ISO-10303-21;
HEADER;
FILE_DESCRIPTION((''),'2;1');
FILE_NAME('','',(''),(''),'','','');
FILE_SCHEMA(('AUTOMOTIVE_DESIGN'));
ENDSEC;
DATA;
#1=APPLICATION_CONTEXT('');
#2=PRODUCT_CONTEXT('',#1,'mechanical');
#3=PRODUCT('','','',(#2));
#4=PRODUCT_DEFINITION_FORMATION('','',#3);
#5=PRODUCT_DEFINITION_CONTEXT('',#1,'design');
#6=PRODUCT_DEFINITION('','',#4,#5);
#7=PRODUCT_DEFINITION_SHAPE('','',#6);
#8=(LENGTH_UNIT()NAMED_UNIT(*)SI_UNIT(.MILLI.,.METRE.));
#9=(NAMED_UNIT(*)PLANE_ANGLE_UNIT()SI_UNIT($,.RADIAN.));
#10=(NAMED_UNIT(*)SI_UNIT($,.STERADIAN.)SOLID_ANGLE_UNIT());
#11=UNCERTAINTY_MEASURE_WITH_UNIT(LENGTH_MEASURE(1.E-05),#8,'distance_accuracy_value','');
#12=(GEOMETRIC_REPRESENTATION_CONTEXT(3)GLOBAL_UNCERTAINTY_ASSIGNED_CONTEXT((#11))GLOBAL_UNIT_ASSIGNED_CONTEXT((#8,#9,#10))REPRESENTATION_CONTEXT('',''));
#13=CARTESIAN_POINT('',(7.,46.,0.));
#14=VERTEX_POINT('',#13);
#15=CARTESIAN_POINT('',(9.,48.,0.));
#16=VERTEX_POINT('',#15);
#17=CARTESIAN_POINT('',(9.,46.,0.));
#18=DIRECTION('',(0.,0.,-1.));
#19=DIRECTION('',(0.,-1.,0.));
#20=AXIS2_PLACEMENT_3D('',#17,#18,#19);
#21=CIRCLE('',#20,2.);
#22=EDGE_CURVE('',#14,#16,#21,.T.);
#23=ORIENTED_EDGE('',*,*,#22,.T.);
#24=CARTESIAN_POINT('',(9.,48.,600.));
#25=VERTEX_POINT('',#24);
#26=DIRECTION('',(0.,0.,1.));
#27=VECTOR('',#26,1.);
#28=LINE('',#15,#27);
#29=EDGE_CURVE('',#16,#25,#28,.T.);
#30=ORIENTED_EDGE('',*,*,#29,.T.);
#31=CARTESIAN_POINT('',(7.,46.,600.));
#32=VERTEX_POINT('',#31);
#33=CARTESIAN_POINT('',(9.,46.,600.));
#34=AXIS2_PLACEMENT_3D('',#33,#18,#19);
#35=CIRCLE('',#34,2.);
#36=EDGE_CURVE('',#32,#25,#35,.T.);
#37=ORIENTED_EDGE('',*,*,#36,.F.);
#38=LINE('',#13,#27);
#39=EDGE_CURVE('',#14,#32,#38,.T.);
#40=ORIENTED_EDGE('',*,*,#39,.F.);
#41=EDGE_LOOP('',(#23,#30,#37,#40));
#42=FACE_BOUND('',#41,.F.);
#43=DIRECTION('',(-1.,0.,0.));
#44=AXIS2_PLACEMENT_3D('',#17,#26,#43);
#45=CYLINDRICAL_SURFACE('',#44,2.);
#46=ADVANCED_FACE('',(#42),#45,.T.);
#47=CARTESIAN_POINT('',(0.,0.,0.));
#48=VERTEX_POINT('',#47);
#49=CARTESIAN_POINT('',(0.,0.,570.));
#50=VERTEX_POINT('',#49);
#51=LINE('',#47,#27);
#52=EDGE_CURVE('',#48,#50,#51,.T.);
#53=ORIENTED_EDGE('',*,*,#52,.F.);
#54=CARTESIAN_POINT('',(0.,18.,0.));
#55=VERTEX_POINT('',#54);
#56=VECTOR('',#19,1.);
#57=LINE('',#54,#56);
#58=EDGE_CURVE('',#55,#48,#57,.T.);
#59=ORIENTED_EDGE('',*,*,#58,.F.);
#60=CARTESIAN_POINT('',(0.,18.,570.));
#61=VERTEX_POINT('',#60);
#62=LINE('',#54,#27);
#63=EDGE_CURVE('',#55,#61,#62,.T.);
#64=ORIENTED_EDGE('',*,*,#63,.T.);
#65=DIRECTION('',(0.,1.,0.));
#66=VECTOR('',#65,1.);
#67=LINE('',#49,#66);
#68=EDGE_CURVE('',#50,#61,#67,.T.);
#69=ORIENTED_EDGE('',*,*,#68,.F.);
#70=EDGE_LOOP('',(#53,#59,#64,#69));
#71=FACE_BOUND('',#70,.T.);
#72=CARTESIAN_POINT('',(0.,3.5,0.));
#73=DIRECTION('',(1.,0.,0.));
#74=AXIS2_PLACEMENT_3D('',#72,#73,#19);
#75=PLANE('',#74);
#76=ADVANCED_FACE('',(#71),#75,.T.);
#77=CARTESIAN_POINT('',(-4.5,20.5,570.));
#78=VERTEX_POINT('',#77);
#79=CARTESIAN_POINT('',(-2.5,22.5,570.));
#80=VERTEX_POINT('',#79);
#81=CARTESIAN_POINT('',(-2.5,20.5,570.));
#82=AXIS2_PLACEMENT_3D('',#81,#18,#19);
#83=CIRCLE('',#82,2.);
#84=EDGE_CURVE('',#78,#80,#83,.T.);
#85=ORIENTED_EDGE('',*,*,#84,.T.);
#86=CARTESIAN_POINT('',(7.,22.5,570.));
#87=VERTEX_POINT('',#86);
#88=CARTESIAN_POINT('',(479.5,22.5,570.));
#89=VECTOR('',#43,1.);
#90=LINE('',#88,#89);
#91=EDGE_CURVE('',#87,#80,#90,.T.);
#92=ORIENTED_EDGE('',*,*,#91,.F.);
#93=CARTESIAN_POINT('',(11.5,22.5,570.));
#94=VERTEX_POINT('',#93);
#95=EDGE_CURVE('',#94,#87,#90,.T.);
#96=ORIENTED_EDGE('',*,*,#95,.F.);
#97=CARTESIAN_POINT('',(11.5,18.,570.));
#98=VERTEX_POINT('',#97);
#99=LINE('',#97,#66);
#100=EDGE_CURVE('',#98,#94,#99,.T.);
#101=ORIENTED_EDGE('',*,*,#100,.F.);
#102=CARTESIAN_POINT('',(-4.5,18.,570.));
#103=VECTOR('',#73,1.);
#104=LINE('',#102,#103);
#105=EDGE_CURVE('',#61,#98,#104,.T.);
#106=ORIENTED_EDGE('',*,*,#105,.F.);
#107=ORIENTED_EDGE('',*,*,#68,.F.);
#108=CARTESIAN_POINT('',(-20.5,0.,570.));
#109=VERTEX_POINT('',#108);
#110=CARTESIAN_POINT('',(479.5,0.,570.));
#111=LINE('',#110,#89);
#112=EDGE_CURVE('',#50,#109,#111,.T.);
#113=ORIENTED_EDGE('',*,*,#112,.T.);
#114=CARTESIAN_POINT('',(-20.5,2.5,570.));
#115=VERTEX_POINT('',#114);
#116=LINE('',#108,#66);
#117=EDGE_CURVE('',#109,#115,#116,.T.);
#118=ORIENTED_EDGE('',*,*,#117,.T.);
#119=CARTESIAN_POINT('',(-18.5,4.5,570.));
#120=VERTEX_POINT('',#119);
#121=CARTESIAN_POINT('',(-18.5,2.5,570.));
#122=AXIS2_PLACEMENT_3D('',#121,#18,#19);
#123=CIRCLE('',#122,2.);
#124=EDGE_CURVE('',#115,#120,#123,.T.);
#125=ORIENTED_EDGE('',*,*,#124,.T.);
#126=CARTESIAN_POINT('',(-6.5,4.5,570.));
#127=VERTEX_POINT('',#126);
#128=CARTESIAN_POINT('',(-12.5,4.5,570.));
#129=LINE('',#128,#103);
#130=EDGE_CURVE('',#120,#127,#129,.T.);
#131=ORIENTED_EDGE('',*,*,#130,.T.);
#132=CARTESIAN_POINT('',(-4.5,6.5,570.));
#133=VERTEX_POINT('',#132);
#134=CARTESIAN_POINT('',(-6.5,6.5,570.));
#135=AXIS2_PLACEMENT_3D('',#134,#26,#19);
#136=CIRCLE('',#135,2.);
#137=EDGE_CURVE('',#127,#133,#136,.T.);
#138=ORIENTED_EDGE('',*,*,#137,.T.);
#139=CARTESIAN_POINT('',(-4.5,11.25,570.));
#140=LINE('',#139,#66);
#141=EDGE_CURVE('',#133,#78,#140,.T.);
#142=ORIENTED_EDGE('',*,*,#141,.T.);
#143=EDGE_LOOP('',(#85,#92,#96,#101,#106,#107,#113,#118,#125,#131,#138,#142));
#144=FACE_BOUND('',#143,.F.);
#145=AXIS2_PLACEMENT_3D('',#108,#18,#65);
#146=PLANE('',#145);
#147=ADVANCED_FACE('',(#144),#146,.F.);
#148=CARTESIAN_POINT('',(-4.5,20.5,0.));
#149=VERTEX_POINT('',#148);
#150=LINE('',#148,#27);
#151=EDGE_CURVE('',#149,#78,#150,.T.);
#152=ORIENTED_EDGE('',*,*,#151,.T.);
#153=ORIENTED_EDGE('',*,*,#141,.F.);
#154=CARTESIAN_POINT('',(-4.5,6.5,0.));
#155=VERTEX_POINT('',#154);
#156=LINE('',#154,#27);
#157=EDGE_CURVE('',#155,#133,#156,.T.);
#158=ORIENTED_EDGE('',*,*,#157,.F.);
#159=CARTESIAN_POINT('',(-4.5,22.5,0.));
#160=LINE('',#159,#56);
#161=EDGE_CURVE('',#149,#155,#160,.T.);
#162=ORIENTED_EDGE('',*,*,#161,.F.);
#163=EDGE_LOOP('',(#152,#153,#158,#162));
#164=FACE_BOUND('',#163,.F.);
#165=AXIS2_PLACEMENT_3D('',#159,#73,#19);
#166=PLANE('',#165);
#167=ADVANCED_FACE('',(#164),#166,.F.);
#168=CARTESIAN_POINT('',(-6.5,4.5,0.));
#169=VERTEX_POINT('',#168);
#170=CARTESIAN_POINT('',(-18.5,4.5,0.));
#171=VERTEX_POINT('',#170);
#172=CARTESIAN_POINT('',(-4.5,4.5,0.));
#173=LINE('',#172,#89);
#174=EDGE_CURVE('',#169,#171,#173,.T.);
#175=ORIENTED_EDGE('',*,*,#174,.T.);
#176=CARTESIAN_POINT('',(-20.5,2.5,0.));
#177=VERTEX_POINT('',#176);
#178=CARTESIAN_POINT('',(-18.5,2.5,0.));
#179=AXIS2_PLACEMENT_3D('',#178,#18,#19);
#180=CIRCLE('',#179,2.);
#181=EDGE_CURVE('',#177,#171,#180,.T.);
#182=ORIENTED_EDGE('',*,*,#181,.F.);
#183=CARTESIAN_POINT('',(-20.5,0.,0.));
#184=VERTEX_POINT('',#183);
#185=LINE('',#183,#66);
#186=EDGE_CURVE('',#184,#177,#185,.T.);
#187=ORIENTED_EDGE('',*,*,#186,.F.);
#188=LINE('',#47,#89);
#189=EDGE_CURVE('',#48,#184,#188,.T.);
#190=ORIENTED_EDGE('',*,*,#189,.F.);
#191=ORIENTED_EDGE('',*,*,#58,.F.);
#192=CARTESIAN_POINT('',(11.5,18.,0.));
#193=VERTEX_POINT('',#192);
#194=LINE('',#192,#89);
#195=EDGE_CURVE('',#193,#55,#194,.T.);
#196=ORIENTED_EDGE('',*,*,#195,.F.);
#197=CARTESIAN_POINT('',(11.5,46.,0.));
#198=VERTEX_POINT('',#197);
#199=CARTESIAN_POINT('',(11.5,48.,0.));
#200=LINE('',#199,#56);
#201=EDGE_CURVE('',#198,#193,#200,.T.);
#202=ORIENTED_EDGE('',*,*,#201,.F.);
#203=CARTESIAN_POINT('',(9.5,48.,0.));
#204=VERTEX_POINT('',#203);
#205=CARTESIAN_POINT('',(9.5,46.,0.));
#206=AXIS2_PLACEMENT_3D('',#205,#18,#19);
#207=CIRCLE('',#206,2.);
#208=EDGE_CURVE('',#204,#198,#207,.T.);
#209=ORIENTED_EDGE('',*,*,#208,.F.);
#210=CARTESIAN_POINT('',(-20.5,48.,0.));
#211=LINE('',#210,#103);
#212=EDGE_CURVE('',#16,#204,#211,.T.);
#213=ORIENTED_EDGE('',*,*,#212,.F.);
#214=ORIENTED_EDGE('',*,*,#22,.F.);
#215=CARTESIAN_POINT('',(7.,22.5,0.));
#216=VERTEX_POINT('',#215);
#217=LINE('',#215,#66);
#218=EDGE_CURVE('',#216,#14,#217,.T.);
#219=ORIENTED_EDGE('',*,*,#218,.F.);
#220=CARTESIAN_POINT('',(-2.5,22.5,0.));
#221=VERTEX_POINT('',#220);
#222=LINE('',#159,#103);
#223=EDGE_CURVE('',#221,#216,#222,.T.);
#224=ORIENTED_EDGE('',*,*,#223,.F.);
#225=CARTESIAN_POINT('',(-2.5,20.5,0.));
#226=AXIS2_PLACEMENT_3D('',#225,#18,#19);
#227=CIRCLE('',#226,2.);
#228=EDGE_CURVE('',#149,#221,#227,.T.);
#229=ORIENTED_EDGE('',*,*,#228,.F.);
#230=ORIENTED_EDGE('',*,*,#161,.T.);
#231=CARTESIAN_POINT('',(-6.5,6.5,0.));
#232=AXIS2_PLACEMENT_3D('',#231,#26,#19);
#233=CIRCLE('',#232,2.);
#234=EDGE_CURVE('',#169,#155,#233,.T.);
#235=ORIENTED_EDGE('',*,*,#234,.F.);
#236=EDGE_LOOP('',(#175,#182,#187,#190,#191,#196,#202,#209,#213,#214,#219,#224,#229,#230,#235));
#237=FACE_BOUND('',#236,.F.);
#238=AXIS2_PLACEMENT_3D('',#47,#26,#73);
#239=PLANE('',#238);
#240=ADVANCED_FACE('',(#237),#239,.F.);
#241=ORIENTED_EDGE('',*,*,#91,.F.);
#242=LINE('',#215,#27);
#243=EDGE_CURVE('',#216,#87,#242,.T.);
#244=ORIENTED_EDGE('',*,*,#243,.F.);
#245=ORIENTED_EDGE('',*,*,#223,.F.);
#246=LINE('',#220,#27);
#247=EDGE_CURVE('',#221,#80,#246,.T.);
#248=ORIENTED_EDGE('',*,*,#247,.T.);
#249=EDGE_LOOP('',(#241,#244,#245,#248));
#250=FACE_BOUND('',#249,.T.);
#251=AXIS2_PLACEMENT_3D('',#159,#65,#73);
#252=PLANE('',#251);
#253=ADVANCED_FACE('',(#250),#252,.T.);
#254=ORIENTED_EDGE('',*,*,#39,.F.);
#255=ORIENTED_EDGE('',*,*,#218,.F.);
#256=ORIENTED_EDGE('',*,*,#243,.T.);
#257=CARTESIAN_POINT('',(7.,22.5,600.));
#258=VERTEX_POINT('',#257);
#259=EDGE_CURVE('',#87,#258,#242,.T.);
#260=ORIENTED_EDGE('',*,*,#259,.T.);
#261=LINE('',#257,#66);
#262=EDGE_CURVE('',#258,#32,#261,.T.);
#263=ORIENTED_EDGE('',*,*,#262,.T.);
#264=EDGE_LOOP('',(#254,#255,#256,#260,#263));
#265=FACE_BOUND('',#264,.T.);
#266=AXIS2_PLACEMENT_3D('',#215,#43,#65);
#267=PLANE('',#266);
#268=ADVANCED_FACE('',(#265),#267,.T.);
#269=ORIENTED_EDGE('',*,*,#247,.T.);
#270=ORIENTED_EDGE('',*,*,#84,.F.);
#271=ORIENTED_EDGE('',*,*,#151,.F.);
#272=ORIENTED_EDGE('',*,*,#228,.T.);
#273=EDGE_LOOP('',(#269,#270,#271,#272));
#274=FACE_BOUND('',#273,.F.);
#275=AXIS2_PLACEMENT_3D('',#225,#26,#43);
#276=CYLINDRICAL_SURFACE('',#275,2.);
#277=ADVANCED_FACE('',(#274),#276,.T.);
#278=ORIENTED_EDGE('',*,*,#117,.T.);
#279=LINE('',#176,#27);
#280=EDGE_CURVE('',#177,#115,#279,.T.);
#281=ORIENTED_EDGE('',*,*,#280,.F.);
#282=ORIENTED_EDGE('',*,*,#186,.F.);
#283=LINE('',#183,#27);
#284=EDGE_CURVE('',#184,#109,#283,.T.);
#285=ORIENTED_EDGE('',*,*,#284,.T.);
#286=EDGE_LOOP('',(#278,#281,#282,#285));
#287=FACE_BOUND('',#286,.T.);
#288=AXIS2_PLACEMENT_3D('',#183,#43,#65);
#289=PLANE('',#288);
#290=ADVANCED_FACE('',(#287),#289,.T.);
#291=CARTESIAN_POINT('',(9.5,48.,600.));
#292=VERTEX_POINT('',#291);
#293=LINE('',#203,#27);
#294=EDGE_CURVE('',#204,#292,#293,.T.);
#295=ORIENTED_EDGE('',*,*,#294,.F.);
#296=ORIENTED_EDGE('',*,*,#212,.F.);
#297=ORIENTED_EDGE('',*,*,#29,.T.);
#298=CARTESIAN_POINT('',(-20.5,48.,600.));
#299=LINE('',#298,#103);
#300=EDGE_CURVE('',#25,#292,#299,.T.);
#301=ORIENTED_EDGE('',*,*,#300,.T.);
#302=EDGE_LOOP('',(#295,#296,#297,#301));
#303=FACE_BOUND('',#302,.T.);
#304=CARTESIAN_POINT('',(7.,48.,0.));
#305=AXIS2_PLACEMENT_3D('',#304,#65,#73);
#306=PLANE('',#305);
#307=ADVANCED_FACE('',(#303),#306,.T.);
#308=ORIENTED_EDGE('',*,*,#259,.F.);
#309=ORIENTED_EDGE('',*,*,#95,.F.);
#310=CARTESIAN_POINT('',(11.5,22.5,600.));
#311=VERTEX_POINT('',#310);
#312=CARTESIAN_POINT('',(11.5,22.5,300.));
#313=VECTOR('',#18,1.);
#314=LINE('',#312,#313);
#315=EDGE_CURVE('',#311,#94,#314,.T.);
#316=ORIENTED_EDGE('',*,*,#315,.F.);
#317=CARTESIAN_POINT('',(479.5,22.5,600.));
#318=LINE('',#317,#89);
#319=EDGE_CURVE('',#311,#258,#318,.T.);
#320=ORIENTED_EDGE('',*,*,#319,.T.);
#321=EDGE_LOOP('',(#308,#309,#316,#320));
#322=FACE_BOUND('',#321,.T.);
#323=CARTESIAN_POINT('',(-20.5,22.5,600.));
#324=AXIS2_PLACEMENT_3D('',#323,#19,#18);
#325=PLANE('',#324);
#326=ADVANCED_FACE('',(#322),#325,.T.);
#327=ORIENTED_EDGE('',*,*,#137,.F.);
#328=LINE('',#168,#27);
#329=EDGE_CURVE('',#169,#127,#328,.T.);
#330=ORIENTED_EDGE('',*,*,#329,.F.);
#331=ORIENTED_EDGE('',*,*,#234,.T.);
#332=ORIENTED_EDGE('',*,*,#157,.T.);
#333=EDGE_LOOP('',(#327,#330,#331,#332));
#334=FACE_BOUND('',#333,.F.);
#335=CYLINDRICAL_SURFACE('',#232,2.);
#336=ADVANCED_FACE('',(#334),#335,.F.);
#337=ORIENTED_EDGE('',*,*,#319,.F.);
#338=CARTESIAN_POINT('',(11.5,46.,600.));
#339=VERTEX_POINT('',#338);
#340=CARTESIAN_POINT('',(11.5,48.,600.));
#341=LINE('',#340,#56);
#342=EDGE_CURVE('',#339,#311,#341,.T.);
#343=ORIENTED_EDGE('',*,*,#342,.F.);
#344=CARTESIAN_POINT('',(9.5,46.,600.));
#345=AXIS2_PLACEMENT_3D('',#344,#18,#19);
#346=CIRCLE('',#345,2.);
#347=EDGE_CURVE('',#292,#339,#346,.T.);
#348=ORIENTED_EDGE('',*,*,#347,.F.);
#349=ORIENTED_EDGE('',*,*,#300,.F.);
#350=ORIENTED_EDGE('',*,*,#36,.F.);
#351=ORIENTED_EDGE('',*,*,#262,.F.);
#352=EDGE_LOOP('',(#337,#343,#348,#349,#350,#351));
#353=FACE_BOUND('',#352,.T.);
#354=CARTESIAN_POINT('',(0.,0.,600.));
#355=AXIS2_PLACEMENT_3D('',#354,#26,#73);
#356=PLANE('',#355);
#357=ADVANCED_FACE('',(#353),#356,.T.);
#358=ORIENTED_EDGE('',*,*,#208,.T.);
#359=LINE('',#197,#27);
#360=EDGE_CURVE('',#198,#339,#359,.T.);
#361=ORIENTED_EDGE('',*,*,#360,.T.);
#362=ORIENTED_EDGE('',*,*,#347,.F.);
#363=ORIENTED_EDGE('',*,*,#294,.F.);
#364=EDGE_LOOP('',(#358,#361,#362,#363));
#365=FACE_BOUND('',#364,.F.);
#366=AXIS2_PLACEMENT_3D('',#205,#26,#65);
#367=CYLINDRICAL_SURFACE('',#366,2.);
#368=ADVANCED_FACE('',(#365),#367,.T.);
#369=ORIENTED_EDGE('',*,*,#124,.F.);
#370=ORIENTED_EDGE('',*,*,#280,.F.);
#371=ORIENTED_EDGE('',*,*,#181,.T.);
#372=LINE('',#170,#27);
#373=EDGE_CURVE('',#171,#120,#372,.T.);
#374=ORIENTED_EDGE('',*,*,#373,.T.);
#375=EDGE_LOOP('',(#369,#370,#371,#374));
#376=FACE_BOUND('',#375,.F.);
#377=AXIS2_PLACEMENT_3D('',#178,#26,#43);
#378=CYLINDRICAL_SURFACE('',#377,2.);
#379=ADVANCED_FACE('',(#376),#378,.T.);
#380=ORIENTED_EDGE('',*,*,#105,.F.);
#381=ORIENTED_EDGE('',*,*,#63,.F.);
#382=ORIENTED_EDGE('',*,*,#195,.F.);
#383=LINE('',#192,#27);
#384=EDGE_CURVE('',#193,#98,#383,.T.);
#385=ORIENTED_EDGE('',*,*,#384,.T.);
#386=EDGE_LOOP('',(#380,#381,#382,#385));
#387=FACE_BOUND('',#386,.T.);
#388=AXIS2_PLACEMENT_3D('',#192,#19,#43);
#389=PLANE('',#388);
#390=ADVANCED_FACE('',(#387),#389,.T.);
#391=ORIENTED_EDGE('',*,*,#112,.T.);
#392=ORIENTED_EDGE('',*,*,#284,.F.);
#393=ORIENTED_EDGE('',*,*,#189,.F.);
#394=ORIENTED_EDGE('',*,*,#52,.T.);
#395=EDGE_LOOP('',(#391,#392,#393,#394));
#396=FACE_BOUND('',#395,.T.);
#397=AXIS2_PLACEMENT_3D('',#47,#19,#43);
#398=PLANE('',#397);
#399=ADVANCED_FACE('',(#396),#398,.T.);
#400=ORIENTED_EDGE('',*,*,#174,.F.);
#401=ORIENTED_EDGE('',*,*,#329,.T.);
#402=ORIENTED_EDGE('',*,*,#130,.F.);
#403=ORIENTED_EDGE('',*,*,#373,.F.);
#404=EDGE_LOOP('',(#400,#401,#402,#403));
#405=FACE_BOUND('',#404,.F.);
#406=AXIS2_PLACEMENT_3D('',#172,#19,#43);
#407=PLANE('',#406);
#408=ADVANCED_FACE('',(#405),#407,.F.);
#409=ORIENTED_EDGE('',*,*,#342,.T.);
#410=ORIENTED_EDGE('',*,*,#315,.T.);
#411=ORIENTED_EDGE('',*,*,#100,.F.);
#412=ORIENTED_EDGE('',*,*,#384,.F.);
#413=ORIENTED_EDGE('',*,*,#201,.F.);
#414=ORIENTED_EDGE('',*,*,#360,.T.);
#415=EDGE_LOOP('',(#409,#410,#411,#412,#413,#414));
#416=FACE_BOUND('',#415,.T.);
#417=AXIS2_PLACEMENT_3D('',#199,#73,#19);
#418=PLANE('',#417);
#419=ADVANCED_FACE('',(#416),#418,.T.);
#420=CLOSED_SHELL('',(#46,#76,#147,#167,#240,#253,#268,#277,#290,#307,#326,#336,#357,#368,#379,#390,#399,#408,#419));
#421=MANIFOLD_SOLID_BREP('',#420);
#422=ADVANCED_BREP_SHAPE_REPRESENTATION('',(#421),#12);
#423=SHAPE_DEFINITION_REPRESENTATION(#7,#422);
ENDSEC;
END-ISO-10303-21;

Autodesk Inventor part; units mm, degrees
sketch "Sketch1" plane through (0, 0, 0) normal (0, 0, 1) x (1, 0, 0)
  line L0 (0, 0) -> (-20.5, 0)
  line L1 (-20.5, 0) -> (-20.5, 48)
  line L2 (11.5, 18) -> (0, 18)
  line L3 (0, 18) -> (0, 0)
  line L4 (-20.5, 48) -> (11.5, 48)
  line L5 (11.5, 48) -> (11.5, 18)
  line L6 (-20.5, 0) -> (0, 0)
  line L7 (0, 0) -> (0, 3.5)
  line L8 (-20.5, 3.5) -> (-20.5, 0)
  line L9 (0, 18) -> (11.5, 18)
  line L10 (11.5, 18) -> (11.5, 21.0352)
  line L11 (-20.5, 0) -> (0, 0)
  line L12 (0, 0) -> (0, 4.5)
  line L13 (-20.5, 4.5) -> (-20.5, 0)
  line L14 (-4.5, 22.5) -> (-4.5, 4.5)
  line L15 (-4.5, 4.5) -> (-20.5, 4.5)
  line L16 (-4.5, 22.5) -> (7, 22.5)
  line L17 (7, 22.5) -> (7, 48)
  point P0 (-2.8995, 48)
  dimension "d0" = 20.5
  dimension "d1" = 48
  dimension "d9" = 30
  dimension "d10" = 32
  dimension "d11" = 11.5
  dimension "d16" = 16
  dimension "d23" = 4.5
  dimension "d24" = 4.5
  dimension "d25" = 4.5
extrude "Extrusion2" add sketch "Sketch1" along normal blind 600 contours L0 L1 L15 L14 L16 L17 L4 L5 L2 L3
ref_plane "Work Plane4" through (-4.5, 7.5, 0) normal (-1, 0, 0) x (0, 0, 1)
ref_plane "Work Plane3" through (-4.5, 7.5, 0) normal (-1, 0, 0) x (0, 0, 1)
ref_plane "Work Plane2" through (-4.5, 7.5, 0) normal (-1, 0, 0) x (0, 0, 1)
ref_plane "Work Plane1" through (-4.5, 7.5, 0) normal (-1, 0, 0) x (0, 0, 1)
sketch "Sketch7" plane through (-20.5, 0, 0) normal (-1, 0, 0) x (0, 0, 1)
  line L0 (600, 22.5) -> (600, 4.5) projected
  line L1 (0, 0) -> (600, 0) projected
  line L2 (660, 22.5) -> (0, 22.5) projected
  line L3 (600, 0) -> (570, 0)
  line L4 (570, 0) -> (570, 22.5)
  line L5 (570, 22.5) -> (600, 22.5)
  line L6 (600, 22.5) -> (600, 0)
  point P0 (660, 19.5)
  point P1 (660, 7.5)
  dimension "d71" = 30
extrude "Extrusion4" cut sketch "Sketch7" along normal mid plane 1000
fillet "Fillet4" radius 2 5 edges at (-20.5, 4.5, 285) (-4.5, 22.5, 285) (7, 48, 300) (11.5, 48, 300) (-4.5, 4.5, 285)
properties part number "gancho"
